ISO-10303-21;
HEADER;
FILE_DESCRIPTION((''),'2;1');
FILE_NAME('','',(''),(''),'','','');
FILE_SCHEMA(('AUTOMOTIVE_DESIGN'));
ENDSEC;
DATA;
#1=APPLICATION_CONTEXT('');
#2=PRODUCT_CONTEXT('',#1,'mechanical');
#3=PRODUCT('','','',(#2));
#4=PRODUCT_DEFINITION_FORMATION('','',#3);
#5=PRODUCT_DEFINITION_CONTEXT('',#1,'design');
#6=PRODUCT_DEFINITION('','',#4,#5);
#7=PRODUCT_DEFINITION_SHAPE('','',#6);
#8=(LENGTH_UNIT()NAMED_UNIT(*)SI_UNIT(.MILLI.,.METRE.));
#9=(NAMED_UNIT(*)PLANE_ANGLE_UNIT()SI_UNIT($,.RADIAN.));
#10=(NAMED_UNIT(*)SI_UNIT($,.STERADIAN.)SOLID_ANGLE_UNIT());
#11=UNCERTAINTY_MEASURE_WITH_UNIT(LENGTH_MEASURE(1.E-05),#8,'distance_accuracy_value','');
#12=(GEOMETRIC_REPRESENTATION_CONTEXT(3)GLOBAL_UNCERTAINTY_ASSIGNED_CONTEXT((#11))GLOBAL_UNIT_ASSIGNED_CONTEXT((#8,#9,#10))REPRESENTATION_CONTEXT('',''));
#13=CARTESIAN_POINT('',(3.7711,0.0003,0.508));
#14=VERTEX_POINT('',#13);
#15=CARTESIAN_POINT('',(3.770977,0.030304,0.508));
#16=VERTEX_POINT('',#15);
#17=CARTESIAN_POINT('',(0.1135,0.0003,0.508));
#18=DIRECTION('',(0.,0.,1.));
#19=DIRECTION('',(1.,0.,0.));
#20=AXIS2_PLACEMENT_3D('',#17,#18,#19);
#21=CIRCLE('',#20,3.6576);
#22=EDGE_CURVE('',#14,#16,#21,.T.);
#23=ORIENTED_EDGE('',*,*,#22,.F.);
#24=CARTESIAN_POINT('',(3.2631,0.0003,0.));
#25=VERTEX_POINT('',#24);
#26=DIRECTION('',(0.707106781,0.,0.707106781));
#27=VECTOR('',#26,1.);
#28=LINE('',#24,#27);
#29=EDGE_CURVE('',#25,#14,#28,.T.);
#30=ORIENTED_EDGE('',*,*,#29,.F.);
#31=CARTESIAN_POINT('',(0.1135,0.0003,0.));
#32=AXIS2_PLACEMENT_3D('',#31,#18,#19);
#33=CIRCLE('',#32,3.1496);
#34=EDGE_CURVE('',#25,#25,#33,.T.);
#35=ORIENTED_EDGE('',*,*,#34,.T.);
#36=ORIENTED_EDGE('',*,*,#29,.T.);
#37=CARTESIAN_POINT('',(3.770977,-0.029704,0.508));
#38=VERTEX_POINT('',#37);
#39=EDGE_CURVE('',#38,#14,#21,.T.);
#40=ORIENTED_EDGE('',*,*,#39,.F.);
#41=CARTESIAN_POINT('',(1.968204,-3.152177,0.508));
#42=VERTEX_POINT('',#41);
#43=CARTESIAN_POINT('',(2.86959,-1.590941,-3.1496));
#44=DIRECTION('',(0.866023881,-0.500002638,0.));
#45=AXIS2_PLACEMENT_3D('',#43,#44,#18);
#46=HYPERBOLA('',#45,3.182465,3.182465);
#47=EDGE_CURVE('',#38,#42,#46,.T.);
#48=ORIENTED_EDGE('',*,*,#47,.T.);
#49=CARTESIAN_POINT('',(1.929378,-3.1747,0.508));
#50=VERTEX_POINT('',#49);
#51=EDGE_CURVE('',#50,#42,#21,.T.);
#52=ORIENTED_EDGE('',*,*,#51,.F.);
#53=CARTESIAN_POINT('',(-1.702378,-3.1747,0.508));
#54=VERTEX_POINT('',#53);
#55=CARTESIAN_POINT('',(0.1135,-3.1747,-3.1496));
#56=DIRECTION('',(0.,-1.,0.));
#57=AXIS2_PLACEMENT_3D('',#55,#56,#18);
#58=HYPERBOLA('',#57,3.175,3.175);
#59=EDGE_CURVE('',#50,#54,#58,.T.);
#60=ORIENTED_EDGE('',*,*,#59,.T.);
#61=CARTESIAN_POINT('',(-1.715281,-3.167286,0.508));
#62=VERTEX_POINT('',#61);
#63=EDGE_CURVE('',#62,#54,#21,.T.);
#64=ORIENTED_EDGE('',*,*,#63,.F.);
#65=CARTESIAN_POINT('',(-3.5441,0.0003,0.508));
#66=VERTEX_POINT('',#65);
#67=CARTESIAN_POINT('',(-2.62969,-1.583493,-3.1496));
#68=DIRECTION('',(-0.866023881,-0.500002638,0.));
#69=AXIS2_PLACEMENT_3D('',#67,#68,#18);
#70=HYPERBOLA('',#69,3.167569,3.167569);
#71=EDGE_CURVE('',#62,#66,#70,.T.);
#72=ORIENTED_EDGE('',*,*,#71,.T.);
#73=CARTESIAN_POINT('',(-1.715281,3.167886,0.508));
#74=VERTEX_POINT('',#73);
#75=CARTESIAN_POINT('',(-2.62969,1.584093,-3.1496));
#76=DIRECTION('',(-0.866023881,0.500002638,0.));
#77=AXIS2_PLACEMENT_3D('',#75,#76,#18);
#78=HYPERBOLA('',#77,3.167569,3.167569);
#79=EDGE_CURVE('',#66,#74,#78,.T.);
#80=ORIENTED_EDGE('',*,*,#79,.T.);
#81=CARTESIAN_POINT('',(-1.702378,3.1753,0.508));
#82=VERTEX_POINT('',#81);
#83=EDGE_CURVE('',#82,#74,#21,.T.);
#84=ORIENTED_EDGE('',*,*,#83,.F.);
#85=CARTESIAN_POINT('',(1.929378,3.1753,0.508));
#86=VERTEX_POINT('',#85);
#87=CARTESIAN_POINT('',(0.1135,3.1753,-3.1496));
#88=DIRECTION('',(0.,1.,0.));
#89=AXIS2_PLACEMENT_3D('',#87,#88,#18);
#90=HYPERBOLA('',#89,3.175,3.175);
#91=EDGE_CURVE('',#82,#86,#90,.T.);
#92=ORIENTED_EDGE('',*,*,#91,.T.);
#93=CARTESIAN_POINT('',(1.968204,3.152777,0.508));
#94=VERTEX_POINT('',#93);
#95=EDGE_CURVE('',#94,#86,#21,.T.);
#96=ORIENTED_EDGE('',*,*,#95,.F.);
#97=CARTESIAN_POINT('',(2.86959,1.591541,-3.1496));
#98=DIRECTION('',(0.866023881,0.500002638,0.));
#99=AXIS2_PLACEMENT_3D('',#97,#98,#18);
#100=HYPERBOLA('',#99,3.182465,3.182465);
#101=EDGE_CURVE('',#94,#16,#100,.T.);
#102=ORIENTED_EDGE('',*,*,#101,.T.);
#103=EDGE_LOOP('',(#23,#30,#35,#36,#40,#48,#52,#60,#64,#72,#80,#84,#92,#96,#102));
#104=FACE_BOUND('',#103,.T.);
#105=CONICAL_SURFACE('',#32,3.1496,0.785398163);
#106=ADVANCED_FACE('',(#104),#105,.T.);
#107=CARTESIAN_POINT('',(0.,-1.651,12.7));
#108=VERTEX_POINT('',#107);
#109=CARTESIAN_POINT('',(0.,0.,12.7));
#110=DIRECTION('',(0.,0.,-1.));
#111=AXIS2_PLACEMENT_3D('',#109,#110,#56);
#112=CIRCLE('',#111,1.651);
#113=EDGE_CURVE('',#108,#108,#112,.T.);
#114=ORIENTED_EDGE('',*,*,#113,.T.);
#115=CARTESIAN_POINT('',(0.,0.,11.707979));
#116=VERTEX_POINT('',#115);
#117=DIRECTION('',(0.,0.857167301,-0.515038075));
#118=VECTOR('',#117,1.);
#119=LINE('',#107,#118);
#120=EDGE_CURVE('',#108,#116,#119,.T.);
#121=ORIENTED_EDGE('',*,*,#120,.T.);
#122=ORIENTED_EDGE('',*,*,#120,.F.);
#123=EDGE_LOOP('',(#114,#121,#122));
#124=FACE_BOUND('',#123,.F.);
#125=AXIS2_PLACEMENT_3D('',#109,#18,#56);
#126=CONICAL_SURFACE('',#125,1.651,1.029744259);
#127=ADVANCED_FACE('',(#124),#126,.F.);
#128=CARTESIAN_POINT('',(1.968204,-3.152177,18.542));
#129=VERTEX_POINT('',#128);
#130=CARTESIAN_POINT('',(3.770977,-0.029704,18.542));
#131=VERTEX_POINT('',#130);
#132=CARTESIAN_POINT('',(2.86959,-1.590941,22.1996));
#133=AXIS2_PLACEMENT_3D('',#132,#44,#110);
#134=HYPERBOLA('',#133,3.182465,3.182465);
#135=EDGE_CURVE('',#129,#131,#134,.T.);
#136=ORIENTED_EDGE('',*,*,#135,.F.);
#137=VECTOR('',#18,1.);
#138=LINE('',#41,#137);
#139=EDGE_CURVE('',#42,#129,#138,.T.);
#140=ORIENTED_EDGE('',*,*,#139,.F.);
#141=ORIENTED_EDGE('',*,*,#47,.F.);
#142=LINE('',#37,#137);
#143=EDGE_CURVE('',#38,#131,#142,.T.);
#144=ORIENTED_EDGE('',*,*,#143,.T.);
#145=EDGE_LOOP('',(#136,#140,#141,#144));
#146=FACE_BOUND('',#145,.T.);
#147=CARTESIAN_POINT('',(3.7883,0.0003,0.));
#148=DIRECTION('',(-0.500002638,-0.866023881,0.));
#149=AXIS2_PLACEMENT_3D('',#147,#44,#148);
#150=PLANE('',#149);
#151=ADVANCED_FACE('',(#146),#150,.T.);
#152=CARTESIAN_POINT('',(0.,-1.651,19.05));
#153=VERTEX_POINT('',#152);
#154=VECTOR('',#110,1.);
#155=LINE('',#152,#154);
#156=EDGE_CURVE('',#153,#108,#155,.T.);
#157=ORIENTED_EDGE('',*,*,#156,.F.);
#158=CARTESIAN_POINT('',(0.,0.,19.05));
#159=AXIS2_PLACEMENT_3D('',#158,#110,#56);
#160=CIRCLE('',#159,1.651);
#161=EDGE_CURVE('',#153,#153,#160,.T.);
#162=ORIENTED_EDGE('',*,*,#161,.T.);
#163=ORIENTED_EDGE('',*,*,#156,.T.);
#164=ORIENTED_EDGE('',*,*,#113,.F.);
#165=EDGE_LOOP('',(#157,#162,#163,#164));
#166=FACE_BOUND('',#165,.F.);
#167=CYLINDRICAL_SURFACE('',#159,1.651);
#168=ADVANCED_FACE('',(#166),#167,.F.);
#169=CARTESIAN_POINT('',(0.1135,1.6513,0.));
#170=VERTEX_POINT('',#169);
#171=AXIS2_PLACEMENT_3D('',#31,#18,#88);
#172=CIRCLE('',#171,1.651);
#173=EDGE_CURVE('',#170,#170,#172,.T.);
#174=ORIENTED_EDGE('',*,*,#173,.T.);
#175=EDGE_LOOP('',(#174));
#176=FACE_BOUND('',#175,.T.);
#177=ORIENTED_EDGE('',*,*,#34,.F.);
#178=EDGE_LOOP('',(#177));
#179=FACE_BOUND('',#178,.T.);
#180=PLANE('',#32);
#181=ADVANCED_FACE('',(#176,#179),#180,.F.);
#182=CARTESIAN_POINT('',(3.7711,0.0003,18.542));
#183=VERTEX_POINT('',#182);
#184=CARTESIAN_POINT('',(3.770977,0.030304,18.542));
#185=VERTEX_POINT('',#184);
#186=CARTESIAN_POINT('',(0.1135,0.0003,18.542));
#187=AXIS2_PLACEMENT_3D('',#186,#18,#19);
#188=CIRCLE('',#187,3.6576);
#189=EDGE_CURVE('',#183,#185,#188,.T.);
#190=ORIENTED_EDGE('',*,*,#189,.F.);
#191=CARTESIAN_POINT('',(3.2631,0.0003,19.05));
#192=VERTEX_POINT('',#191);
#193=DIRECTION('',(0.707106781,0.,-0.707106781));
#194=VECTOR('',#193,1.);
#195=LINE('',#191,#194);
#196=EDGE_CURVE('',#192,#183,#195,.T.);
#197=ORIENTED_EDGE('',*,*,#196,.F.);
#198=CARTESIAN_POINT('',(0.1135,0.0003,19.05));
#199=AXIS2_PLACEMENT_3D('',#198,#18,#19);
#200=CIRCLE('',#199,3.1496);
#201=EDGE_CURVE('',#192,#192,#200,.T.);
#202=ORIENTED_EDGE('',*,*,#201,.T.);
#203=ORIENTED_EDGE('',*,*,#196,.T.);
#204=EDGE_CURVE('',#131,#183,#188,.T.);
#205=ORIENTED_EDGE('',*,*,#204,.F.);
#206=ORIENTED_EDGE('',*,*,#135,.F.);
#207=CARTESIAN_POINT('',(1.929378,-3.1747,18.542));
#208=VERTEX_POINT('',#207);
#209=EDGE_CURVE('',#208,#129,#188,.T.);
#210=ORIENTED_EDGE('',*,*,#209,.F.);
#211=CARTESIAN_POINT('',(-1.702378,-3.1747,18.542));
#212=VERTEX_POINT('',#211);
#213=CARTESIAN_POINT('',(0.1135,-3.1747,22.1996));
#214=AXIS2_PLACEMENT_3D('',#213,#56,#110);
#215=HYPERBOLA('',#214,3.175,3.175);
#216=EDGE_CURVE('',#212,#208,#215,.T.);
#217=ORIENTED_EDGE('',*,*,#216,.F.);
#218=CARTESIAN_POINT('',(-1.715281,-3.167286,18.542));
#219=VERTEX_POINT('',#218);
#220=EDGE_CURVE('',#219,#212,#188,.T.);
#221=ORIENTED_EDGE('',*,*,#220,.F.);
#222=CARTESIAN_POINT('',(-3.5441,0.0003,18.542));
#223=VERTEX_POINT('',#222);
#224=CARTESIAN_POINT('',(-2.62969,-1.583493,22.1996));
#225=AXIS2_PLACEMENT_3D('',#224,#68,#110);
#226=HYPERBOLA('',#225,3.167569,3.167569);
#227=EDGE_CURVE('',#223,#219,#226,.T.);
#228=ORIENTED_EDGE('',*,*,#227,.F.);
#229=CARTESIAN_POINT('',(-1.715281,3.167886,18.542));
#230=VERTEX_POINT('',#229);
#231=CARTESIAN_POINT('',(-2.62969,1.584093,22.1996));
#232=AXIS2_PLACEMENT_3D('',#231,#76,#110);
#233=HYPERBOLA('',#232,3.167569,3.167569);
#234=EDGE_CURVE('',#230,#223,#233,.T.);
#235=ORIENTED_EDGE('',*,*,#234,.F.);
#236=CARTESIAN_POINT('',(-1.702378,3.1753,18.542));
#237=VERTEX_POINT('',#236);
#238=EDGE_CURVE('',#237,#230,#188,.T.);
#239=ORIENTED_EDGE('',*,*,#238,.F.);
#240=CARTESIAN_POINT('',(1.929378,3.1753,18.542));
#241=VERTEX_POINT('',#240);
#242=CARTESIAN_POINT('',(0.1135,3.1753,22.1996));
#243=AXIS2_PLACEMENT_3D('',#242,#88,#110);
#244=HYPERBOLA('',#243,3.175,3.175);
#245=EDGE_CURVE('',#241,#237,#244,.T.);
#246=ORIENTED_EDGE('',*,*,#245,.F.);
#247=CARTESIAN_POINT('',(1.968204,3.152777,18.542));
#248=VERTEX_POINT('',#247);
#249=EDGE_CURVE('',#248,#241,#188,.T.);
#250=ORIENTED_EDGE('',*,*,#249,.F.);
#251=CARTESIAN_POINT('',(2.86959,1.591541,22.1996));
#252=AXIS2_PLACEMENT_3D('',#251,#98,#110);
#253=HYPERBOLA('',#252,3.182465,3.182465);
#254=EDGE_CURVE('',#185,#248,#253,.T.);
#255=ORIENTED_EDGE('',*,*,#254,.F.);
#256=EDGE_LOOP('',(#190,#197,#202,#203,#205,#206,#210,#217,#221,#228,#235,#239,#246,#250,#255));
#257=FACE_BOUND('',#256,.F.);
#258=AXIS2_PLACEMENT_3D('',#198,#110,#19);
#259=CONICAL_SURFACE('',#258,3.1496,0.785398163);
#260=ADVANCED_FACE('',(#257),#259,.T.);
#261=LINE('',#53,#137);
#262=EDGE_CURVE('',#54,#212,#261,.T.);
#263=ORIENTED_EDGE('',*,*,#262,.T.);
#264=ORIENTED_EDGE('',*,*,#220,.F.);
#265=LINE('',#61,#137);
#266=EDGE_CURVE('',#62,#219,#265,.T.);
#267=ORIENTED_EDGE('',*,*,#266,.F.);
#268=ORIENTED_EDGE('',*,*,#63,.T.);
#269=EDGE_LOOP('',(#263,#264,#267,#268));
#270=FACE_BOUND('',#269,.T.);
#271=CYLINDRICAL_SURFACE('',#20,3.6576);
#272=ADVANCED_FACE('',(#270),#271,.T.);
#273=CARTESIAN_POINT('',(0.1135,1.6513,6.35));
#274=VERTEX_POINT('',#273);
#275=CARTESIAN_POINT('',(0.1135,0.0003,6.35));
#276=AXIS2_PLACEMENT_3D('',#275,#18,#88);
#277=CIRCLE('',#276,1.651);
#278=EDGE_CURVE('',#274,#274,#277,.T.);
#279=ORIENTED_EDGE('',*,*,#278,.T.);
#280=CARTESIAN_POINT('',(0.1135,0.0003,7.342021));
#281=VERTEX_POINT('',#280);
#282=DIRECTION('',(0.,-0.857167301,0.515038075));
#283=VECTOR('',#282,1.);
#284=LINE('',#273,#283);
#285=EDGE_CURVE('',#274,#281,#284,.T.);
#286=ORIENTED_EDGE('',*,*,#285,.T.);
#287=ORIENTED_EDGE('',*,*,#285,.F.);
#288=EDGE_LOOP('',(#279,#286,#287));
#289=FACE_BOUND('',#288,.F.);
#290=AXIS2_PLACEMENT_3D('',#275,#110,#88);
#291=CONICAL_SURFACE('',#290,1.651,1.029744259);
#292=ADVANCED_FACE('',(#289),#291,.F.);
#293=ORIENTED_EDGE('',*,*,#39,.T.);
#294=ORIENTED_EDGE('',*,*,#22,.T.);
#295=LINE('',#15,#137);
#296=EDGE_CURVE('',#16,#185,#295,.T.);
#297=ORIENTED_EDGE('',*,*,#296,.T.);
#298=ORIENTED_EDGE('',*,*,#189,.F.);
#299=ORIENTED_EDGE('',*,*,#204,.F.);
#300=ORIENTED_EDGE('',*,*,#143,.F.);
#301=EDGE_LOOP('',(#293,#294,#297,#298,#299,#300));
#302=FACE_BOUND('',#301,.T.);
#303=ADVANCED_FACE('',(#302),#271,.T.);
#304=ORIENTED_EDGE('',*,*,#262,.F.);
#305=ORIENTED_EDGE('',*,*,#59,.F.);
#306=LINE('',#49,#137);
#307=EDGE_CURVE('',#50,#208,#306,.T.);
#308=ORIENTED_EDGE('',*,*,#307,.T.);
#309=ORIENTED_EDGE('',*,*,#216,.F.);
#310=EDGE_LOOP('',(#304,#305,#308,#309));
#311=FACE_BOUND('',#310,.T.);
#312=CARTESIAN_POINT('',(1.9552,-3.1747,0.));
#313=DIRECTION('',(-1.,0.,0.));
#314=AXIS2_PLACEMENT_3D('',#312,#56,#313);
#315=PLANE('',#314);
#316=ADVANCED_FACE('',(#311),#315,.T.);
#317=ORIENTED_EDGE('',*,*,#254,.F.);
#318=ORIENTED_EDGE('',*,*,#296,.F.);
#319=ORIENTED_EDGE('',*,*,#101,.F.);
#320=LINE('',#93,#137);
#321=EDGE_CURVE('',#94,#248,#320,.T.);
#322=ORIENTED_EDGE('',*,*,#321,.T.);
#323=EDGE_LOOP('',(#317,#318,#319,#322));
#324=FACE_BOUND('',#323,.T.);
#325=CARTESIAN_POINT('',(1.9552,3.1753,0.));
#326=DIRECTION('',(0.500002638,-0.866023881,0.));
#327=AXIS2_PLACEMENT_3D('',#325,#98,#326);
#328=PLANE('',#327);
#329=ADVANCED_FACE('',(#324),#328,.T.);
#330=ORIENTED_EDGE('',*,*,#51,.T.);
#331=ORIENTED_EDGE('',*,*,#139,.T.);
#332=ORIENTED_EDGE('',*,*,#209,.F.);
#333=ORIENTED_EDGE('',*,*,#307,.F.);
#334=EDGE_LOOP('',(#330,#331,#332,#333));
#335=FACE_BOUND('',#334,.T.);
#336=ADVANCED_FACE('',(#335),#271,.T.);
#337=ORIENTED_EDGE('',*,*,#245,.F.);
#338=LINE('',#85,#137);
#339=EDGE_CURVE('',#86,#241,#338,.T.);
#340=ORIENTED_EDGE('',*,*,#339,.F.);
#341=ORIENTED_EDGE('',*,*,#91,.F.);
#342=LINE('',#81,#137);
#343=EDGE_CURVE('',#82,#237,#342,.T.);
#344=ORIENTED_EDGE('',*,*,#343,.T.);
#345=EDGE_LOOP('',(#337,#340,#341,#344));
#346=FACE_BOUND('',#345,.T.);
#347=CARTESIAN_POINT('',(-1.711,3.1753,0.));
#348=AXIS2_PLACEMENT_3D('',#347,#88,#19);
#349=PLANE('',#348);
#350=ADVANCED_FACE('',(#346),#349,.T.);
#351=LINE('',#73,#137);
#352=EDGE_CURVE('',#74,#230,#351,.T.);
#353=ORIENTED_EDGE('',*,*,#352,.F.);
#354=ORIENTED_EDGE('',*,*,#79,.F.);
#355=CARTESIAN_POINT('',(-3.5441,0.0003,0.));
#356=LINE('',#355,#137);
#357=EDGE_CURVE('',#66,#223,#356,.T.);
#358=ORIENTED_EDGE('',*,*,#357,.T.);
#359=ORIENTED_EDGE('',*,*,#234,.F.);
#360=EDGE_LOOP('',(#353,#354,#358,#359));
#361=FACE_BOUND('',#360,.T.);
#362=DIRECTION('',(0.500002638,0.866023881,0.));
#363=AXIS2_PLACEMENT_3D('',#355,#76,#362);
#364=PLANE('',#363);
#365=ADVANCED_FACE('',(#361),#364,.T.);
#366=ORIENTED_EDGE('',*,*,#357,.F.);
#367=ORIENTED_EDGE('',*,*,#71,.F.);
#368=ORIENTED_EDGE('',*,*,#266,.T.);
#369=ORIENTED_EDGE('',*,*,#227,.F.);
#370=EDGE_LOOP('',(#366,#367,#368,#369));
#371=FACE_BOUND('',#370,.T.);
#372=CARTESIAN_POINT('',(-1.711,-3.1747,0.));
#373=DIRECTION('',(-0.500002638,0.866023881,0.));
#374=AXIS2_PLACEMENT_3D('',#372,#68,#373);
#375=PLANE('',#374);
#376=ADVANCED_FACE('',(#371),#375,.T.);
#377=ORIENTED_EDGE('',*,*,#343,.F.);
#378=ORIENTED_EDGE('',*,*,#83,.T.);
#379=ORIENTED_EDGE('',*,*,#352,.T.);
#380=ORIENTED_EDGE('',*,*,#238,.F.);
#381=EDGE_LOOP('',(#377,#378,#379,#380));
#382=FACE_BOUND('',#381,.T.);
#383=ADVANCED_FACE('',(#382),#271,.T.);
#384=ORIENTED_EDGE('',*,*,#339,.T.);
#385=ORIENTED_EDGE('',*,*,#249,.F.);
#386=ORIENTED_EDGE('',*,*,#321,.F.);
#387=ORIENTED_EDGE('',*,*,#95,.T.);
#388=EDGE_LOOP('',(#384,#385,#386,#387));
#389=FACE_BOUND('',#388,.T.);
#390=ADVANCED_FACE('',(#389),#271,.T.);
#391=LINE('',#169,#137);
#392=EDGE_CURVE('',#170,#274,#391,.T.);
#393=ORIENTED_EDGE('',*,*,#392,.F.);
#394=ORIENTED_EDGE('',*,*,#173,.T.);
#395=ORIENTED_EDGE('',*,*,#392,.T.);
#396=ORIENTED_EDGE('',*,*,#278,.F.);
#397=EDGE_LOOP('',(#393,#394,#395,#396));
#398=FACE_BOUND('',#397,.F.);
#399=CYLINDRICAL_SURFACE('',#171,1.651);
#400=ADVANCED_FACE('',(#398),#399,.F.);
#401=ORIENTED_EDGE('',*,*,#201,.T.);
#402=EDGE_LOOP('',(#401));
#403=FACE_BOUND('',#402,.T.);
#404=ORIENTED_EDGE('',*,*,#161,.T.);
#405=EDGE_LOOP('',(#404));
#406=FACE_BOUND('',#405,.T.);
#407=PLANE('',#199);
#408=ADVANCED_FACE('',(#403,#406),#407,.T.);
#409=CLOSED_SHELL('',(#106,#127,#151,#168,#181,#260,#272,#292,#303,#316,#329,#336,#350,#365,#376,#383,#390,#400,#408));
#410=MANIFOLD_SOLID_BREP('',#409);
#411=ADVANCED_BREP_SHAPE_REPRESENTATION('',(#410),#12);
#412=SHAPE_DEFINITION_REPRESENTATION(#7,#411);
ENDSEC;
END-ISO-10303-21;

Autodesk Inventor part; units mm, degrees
ref_plane "YZ Plane" through (0, 0, 0) normal (1, 0, 0) x (0, 1, 0)
sketch "Sketch1" plane through (0, 0, 0) normal (0, 0, 1) x (1, 0, 0)
  line L0 (1.9552, -3.1747) -> (-1.711, -3.1747)
  line L1 (-1.711, -3.1747) -> (-3.5441, 0.0003)
  line L2 (-3.5441, 0.0003) -> (-1.711, 3.1753)
  line L3 (-1.711, 3.1753) -> (1.9552, 3.1753)
  line L4 (1.9552, 3.1753) -> (3.7883, 0.0003)
  line L5 (3.7883, 0.0003) -> (1.9552, -3.1747)
  point P0 (0.1221, 0.0003)
  dimension "d0" = 6.35
extrude "Extrusion1" add sketch "Sketch1" along normal blind 19.05
ref_plane "Work Plane1" through (-1.711, 0.0003, 0) normal (0, 1, 0) x (1, 0, 0)
sketch "Sketch3" plane through (-1.711, 0.0003, 0) normal (0, 1, 0) x (1, 0, 0)
  line L0 (-1.3251, 0) -> (4.9741, 0)
  line L1 (5.4821, -0.508) -> (5.4821, -18.542)
  line L2 (-1.8331, -18.542) -> (-1.8331, -0.508)
  line L3 (-1.8331, -0.508) -> (-1.3251, 0)
  line L4 (4.9741, 0) -> (5.4821, -0.508)
  line L5 (-1.8331, 0) -> (-1.8331, -19.05) projected
  line L6 (3.6662, 0) -> (5.4993, 0) projected
  line L7 (1.8245, 0) -> (1.8245, -19.05)
  line L8 (0, -19.05) -> (-1.8331, -19.05) projected
  line L9 (5.4993, -19.05) -> (3.6662, -19.05) projected
  line L10 (3.6662, -19.05) -> (0, -19.05) projected
  line L11 (-1.3251, -19.05) -> (-1.8331, -18.542)
  line L12 (4.9741, -19.05) -> (5.4821, -18.542)
  point P0 (-1.8331, 0)
  point P1 (5.4821, 0)
  point P2 (5.4821, -19.05)
  dimension "d5" = 0.508
  dimension "d6" = 0.508
  dimension "d7" = 0.508
  dimension "d8" = 0.508
  dimension "d16" = 0
  dimension "d46" = 0.508
  dimension "d47" = 0.508
  dimension "d48" = 0.508
  dimension "d49" = 0.508
revolve "Revolution1" cut sketch "Sketch3" angle 360 about axis through (0.1135, 0.0003, 0) along (0, 0, 1) keep common part contours L0 L4 L1 L12 L9 L10 L7
sketch "Sketch6" plane through (0.1135, 0.0003, 0) normal (0, 0, -1) x (-1, 0, 0)
  circle A0 centre (0, 0) radius 3.1496 projected
hole "Hole3" at (0.1135, 0.0003, 0) direction (0, 0, 1) diameter 3.302 depth 6.35 tip angle 118 thread size "8-32 UNC" class "2B" standard "ANSI Unified Screw Threads"
sketch "Sketch7" plane through (0, 0, 19.05) normal (0, 0, 1) x (1, 0, 0)
  point P0 (0, 0)
hole "Hole4" at (0, 0, 19.05) direction (0, 0, -1) diameter 3.302 depth 6.35 tip angle 118 thread size "8-32 UNC" class "2B" standard "ANSI Unified Screw Threads"
ref_plane "Work Plane2" through (0.1135, 0.0003, 9.525) normal (0, 0, -1) x (-1, 0, 0)
equation "\"d6\" = d5"
equation "\"d7\" = d5"
equation "\"d8\" = d7"
properties part number "0.75 inch Standoff" material "Steel"
